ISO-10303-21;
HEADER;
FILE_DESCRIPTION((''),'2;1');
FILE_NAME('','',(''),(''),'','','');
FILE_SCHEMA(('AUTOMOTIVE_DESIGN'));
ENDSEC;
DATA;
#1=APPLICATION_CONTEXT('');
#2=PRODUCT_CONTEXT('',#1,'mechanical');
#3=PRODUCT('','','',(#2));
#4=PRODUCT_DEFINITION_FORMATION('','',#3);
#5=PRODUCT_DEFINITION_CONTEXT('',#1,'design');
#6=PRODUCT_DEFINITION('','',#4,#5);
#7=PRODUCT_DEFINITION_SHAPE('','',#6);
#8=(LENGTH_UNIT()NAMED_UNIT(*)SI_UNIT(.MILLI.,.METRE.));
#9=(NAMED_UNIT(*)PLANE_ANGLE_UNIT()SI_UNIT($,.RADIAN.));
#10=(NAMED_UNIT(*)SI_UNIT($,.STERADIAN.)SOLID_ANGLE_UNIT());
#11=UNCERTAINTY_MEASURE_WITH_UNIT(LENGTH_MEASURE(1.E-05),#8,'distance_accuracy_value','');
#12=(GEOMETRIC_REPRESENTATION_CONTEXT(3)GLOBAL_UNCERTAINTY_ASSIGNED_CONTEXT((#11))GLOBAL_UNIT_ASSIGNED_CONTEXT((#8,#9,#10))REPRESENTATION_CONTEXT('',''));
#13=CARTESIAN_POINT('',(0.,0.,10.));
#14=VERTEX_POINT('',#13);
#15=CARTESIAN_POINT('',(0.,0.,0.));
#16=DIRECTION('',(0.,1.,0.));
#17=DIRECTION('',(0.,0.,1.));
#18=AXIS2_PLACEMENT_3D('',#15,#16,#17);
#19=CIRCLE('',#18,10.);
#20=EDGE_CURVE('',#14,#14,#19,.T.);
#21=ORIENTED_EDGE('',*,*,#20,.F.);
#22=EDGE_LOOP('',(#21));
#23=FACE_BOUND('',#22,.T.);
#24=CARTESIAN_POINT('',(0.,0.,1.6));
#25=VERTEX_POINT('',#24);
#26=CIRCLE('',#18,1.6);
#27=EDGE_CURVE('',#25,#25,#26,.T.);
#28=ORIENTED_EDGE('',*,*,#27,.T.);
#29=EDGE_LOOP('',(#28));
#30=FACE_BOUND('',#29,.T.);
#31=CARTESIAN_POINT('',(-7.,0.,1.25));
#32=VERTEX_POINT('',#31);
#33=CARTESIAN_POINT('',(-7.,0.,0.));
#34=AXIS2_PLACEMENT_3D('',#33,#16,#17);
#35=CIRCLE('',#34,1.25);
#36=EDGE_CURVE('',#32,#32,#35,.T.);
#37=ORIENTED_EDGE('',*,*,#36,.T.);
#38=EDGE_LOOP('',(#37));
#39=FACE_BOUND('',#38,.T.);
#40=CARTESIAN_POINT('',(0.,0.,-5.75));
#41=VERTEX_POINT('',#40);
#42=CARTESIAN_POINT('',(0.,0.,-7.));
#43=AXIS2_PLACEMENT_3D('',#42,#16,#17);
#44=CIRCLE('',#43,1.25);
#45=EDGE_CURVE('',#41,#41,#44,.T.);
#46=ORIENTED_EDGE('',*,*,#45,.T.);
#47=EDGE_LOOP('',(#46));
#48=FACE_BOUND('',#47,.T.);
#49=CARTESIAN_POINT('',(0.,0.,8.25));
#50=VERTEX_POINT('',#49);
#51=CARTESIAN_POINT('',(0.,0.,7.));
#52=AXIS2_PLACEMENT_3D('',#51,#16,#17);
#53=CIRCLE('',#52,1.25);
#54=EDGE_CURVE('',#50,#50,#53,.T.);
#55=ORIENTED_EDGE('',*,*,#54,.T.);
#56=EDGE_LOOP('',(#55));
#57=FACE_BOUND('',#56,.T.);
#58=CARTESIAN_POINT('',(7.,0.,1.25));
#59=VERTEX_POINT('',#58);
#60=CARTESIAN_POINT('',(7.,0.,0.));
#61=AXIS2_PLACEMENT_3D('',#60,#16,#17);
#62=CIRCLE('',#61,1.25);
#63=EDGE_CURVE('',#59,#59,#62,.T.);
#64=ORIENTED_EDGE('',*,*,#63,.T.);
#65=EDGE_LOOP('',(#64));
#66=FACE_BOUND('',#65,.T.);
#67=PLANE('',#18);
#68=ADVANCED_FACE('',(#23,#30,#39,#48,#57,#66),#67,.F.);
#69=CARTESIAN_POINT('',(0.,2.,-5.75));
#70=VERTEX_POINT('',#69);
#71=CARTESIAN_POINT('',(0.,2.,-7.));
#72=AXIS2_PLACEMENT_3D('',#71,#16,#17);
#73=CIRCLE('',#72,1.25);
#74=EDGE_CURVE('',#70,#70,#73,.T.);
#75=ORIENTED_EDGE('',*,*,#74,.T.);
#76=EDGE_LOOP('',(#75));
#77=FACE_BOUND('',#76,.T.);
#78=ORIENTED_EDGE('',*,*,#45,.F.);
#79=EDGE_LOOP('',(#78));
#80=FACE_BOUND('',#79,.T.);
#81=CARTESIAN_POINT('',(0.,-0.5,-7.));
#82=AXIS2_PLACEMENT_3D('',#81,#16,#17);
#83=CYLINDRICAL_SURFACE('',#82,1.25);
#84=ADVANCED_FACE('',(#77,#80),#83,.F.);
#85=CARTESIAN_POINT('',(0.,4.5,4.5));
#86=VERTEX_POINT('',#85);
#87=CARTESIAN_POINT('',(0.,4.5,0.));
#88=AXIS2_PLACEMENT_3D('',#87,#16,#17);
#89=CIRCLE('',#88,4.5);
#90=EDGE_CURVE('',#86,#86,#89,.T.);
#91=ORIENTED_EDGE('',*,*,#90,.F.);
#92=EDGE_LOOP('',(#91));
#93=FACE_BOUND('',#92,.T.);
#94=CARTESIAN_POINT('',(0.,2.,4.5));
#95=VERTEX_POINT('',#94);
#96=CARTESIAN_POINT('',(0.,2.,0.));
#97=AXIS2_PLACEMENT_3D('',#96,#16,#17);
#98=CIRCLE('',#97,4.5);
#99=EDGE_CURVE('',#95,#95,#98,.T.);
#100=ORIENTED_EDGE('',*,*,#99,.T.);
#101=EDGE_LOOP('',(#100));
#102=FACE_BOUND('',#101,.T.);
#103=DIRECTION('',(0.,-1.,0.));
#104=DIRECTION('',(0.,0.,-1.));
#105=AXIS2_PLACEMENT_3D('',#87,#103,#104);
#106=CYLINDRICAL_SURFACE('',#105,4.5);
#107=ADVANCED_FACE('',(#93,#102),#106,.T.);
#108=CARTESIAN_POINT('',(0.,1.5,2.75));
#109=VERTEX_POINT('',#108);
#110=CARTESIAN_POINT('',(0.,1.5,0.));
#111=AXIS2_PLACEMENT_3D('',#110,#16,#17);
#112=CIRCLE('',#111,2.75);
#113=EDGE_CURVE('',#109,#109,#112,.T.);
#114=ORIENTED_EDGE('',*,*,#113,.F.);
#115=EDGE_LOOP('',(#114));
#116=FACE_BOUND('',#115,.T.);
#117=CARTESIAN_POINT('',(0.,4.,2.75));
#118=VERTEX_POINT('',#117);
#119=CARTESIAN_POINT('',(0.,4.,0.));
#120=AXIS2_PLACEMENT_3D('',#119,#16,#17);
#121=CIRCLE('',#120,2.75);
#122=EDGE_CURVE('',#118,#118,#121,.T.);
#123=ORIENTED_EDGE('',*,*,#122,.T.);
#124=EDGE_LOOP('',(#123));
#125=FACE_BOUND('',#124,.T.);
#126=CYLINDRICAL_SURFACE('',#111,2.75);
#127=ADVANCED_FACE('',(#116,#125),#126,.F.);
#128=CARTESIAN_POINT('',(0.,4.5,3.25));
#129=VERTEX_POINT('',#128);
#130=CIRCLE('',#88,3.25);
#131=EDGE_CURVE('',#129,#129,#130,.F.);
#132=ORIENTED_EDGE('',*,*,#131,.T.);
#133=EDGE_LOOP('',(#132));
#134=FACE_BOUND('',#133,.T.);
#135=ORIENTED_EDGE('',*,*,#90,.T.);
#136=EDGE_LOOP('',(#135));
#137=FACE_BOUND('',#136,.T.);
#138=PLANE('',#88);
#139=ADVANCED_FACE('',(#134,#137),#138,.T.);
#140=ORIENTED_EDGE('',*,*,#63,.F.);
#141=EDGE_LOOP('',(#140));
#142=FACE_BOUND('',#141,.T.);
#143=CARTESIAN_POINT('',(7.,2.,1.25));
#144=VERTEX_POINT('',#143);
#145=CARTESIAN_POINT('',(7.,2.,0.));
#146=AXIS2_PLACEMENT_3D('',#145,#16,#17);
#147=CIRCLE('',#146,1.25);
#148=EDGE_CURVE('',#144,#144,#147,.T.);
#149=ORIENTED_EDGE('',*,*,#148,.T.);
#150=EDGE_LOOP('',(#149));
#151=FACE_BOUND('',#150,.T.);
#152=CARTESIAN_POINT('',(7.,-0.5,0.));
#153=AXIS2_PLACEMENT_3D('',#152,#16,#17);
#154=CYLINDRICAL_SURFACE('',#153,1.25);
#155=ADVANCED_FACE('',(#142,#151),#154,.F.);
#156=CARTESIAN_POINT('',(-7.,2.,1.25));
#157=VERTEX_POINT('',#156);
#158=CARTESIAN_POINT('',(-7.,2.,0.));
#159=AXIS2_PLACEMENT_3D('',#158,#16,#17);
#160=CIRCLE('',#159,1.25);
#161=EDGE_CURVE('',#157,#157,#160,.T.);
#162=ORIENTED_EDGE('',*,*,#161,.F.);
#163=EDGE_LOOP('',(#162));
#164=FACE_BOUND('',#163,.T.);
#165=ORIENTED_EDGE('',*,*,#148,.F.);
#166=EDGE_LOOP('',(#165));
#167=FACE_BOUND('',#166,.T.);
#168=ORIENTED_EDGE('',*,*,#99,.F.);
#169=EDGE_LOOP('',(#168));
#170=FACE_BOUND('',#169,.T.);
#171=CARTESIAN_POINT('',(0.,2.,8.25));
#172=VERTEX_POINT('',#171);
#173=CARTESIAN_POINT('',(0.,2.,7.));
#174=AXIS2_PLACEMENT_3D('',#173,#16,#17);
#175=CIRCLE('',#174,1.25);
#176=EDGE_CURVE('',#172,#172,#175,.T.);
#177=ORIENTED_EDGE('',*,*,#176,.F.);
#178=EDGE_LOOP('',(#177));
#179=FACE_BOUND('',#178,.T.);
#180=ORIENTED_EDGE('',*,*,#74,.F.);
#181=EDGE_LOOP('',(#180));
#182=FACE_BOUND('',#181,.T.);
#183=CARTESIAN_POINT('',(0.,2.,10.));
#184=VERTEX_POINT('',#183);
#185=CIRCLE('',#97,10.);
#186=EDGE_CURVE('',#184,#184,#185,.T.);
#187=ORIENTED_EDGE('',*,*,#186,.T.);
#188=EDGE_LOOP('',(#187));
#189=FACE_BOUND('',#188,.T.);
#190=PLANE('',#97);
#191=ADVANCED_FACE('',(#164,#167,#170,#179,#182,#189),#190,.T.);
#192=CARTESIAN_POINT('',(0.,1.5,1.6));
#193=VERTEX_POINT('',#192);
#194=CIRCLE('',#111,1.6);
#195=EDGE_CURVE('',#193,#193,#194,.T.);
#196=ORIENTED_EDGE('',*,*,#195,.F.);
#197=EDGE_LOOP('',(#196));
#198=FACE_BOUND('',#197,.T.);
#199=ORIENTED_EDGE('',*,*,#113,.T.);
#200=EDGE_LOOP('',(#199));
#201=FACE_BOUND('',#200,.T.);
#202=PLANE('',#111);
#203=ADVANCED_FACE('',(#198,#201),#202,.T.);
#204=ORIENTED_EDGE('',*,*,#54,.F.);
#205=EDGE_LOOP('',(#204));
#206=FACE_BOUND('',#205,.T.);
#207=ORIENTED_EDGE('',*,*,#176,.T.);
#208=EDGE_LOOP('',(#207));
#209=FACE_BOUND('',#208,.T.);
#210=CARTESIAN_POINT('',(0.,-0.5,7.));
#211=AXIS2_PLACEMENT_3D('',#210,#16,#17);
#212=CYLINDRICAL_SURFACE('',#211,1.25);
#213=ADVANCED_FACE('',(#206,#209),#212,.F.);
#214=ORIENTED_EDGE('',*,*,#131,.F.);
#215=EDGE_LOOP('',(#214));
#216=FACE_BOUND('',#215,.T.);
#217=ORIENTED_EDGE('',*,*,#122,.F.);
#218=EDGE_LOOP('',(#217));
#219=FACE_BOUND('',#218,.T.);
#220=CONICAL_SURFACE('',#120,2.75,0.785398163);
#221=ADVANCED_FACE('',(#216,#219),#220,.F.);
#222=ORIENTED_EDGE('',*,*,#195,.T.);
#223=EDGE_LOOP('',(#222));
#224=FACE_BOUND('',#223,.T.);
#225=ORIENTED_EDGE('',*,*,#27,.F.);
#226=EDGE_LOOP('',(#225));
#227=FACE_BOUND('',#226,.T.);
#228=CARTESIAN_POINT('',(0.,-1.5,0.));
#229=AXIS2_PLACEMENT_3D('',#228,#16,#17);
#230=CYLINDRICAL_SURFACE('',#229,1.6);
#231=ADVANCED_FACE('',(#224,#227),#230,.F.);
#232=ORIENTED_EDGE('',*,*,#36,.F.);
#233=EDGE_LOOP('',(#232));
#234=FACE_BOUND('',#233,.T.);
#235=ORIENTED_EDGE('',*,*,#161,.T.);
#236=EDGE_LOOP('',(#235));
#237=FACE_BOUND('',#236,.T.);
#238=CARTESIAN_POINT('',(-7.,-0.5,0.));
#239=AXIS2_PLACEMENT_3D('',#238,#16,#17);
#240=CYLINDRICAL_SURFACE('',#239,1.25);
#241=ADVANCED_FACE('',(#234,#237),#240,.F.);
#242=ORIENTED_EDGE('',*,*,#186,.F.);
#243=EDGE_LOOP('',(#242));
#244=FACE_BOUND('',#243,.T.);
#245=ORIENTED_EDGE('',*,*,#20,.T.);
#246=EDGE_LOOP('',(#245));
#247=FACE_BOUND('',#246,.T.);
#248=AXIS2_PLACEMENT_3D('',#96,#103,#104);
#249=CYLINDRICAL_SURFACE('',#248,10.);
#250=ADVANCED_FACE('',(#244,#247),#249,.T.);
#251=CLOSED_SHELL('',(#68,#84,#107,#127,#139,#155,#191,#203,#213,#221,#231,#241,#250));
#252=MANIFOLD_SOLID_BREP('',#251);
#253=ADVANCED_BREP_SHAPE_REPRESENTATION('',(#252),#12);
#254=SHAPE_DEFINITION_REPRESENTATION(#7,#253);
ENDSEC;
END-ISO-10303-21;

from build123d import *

# Parameters (mm, degrees)
SKETCH_1_R          = 10
EXTRUDE_1_DEPTH     = 2
SKETCH_2_R          = 4.5
EXTRUDE_2_DEPTH     = 2.5
SKETCH_4_R          = 1.25
CUT_EXTRUDE_1_DEPTH = 2.5
SKETCH_5_R          = 2.75
CUT_EXTRUDE_2_DEPTH = 3
SKETCH_6_R          = 1.6
CUT_EXTRUDE_3_DEPTH = 3
CHAMFER_1_SIZE      = 0.5


with BuildPart() as part:
    # 草图1 → 凸台-拉伸1 (new body)
    with BuildSketch(Plane(origin=(0, 0, 0), x_dir=(1, 0, 0), z_dir=(0, 1, 0))):
        with Locations(Location((0, 0, 0), (0, 0, 270))):
            Circle(SKETCH_1_R)
    extrude(amount=EXTRUDE_1_DEPTH)

    # 草图2 → 凸台-拉伸2 (add)
    with BuildSketch(Plane(origin=(0, 2, 0), x_dir=(1, 0, 0), z_dir=(0, 1, 0))):
        with Locations(Location((0, 0, 0), (0, 0, 270))):
            Circle(SKETCH_2_R)
    extrude(amount=EXTRUDE_2_DEPTH)

    # 草图4 → 切除-拉伸1 (cut)
    with BuildSketch(Plane(origin=(0, 2, 0), x_dir=(1, 0, 0), z_dir=(0, 1, 0))):
        with Locations(Location((0, 7, 0), (0, 0, 270))):
            Circle(SKETCH_4_R)
        with Locations(Location((7, 0, 0), (0, 0, 270))):
            Circle(SKETCH_4_R)
        with Locations(Location((0, -7, 0), (0, 0, 270))):
            Circle(SKETCH_4_R)
        with Locations(Location((-7, 0, 0), (0, 0, 270))):
            Circle(SKETCH_4_R)
    extrude(amount=-CUT_EXTRUDE_1_DEPTH, mode=Mode.SUBTRACT)

    # 草图5 → 切除-拉伸2 (cut)
    with BuildSketch(Plane(origin=(0, 4.5, 0), x_dir=(1, 0, 0), z_dir=(0, 1, 0))):
        with Locations(Location((0, 0, 0), (0, 0, 270))):
            Circle(SKETCH_5_R)
    extrude(amount=-CUT_EXTRUDE_2_DEPTH, mode=Mode.SUBTRACT)

    # 草图6 → 切除-拉伸3 (cut)
    with BuildSketch(Plane(origin=(0, 1.5, 0), x_dir=(1, 0, 0), z_dir=(0, 1, 0))):
        with Locations(Location((0, 0, 0), (0, 0, 270))):
            Circle(SKETCH_6_R)
    extrude(amount=-CUT_EXTRUDE_3_DEPTH, mode=Mode.SUBTRACT)

    # 倒角1
    chamfer_1_edges = [part.edges().sort_by_distance(p)[0] for p in [
        (0, 4.5, -2.75),
    ]]
    chamfer(chamfer_1_edges, length=CHAMFER_1_SIZE)


solid = part.part
